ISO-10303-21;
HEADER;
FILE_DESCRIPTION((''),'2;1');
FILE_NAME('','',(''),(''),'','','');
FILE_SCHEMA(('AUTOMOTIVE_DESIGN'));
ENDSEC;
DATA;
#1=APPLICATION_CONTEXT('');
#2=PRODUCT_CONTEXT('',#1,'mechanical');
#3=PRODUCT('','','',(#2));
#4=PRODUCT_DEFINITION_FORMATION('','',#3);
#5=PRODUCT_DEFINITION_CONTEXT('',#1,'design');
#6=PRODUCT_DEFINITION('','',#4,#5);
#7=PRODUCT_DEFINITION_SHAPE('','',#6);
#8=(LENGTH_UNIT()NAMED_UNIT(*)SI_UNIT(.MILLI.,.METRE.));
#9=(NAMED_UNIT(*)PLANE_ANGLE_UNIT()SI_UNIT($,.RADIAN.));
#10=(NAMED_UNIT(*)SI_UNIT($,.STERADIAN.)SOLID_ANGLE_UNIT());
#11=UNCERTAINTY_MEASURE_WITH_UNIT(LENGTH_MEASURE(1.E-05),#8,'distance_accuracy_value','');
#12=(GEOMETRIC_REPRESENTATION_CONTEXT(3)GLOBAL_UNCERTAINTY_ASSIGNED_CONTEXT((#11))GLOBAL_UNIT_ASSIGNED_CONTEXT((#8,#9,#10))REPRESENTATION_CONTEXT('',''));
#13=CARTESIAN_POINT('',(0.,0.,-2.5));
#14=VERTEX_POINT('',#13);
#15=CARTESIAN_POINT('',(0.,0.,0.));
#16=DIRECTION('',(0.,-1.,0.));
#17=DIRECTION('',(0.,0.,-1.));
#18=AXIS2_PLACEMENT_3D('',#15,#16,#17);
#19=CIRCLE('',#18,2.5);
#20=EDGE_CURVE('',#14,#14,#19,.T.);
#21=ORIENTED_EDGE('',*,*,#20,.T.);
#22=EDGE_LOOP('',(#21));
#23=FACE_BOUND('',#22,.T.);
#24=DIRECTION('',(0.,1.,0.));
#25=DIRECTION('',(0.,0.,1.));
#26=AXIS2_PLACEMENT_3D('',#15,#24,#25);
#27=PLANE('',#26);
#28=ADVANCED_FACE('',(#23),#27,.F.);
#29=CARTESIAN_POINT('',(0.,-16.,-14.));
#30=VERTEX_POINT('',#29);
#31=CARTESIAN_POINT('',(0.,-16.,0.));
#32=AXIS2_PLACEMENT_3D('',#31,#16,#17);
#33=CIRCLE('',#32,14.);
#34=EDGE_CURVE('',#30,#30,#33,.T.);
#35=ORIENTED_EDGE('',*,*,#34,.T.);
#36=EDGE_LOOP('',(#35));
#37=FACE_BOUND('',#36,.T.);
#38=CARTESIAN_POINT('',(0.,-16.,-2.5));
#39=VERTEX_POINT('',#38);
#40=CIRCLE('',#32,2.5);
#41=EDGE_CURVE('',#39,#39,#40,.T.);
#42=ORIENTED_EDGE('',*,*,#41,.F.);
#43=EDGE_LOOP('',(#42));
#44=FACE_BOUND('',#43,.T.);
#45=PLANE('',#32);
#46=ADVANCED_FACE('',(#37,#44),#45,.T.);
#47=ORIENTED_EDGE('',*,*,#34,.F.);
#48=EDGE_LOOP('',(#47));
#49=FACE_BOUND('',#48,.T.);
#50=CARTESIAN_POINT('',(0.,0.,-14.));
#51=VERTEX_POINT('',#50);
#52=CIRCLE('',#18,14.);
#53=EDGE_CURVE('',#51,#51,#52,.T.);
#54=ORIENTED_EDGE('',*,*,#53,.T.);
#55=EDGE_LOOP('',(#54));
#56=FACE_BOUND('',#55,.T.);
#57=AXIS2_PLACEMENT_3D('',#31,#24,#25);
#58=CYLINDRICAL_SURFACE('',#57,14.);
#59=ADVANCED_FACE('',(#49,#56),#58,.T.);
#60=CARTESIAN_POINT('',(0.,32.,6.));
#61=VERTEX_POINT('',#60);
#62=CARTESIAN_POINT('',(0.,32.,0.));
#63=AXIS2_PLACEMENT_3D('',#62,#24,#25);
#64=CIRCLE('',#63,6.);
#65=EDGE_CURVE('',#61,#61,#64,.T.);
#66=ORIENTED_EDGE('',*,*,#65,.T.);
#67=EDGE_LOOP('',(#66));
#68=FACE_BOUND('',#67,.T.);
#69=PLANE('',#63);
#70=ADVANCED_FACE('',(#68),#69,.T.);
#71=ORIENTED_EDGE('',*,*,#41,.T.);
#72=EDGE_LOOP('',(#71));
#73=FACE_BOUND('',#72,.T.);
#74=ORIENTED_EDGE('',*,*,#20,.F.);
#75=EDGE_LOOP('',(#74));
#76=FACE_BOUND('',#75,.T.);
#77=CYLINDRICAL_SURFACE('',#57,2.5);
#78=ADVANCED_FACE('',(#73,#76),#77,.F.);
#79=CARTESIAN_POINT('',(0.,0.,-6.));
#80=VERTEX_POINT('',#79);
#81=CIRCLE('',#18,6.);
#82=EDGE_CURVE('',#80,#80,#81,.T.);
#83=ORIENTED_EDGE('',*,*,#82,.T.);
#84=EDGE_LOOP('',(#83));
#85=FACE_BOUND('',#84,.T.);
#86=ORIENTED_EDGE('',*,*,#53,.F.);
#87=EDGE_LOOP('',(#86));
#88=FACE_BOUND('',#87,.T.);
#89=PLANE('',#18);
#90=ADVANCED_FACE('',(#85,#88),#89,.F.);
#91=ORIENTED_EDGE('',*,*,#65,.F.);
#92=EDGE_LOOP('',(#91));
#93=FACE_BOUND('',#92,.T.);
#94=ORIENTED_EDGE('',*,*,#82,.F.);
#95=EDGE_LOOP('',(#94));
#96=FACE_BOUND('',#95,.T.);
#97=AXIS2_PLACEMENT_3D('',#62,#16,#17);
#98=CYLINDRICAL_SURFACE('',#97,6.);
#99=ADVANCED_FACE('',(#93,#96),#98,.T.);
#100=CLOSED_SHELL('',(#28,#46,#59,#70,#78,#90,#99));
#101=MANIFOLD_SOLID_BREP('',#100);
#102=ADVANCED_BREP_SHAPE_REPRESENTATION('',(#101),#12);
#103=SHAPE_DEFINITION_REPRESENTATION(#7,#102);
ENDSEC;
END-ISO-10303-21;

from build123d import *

# Parameters (mm, degrees)
SKETCH_1_R      = 6
EXTRUDE_1_DEPTH = 32
SKETCH_3_R      = 14
SKETCH_3_R_2    = 2.5
EXTRUDE_2_DEPTH = 16


with BuildPart() as part:
    # 草图1 → 凸台-拉伸1 (new body)
    with BuildSketch(Plane(origin=(0, 0, 0), x_dir=(1, 0, 0), z_dir=(0, 1, 0))):
        with Locations(Location((0, 0, 0), (0, 0, 270))):
            Circle(SKETCH_1_R)
    extrude(amount=EXTRUDE_1_DEPTH)

    # 草图3 → 凸台-拉伸2 (add)
    with BuildSketch(Plane.XZ):
        with Locations(Location((0, 0, 0), (0, 0, 270))):
            Circle(SKETCH_3_R)
        with Locations(Location((0, 0, 0), (0, 0, 270))):
            Circle(SKETCH_3_R_2, mode=Mode.SUBTRACT)
    extrude(amount=EXTRUDE_2_DEPTH)


solid = part.part
